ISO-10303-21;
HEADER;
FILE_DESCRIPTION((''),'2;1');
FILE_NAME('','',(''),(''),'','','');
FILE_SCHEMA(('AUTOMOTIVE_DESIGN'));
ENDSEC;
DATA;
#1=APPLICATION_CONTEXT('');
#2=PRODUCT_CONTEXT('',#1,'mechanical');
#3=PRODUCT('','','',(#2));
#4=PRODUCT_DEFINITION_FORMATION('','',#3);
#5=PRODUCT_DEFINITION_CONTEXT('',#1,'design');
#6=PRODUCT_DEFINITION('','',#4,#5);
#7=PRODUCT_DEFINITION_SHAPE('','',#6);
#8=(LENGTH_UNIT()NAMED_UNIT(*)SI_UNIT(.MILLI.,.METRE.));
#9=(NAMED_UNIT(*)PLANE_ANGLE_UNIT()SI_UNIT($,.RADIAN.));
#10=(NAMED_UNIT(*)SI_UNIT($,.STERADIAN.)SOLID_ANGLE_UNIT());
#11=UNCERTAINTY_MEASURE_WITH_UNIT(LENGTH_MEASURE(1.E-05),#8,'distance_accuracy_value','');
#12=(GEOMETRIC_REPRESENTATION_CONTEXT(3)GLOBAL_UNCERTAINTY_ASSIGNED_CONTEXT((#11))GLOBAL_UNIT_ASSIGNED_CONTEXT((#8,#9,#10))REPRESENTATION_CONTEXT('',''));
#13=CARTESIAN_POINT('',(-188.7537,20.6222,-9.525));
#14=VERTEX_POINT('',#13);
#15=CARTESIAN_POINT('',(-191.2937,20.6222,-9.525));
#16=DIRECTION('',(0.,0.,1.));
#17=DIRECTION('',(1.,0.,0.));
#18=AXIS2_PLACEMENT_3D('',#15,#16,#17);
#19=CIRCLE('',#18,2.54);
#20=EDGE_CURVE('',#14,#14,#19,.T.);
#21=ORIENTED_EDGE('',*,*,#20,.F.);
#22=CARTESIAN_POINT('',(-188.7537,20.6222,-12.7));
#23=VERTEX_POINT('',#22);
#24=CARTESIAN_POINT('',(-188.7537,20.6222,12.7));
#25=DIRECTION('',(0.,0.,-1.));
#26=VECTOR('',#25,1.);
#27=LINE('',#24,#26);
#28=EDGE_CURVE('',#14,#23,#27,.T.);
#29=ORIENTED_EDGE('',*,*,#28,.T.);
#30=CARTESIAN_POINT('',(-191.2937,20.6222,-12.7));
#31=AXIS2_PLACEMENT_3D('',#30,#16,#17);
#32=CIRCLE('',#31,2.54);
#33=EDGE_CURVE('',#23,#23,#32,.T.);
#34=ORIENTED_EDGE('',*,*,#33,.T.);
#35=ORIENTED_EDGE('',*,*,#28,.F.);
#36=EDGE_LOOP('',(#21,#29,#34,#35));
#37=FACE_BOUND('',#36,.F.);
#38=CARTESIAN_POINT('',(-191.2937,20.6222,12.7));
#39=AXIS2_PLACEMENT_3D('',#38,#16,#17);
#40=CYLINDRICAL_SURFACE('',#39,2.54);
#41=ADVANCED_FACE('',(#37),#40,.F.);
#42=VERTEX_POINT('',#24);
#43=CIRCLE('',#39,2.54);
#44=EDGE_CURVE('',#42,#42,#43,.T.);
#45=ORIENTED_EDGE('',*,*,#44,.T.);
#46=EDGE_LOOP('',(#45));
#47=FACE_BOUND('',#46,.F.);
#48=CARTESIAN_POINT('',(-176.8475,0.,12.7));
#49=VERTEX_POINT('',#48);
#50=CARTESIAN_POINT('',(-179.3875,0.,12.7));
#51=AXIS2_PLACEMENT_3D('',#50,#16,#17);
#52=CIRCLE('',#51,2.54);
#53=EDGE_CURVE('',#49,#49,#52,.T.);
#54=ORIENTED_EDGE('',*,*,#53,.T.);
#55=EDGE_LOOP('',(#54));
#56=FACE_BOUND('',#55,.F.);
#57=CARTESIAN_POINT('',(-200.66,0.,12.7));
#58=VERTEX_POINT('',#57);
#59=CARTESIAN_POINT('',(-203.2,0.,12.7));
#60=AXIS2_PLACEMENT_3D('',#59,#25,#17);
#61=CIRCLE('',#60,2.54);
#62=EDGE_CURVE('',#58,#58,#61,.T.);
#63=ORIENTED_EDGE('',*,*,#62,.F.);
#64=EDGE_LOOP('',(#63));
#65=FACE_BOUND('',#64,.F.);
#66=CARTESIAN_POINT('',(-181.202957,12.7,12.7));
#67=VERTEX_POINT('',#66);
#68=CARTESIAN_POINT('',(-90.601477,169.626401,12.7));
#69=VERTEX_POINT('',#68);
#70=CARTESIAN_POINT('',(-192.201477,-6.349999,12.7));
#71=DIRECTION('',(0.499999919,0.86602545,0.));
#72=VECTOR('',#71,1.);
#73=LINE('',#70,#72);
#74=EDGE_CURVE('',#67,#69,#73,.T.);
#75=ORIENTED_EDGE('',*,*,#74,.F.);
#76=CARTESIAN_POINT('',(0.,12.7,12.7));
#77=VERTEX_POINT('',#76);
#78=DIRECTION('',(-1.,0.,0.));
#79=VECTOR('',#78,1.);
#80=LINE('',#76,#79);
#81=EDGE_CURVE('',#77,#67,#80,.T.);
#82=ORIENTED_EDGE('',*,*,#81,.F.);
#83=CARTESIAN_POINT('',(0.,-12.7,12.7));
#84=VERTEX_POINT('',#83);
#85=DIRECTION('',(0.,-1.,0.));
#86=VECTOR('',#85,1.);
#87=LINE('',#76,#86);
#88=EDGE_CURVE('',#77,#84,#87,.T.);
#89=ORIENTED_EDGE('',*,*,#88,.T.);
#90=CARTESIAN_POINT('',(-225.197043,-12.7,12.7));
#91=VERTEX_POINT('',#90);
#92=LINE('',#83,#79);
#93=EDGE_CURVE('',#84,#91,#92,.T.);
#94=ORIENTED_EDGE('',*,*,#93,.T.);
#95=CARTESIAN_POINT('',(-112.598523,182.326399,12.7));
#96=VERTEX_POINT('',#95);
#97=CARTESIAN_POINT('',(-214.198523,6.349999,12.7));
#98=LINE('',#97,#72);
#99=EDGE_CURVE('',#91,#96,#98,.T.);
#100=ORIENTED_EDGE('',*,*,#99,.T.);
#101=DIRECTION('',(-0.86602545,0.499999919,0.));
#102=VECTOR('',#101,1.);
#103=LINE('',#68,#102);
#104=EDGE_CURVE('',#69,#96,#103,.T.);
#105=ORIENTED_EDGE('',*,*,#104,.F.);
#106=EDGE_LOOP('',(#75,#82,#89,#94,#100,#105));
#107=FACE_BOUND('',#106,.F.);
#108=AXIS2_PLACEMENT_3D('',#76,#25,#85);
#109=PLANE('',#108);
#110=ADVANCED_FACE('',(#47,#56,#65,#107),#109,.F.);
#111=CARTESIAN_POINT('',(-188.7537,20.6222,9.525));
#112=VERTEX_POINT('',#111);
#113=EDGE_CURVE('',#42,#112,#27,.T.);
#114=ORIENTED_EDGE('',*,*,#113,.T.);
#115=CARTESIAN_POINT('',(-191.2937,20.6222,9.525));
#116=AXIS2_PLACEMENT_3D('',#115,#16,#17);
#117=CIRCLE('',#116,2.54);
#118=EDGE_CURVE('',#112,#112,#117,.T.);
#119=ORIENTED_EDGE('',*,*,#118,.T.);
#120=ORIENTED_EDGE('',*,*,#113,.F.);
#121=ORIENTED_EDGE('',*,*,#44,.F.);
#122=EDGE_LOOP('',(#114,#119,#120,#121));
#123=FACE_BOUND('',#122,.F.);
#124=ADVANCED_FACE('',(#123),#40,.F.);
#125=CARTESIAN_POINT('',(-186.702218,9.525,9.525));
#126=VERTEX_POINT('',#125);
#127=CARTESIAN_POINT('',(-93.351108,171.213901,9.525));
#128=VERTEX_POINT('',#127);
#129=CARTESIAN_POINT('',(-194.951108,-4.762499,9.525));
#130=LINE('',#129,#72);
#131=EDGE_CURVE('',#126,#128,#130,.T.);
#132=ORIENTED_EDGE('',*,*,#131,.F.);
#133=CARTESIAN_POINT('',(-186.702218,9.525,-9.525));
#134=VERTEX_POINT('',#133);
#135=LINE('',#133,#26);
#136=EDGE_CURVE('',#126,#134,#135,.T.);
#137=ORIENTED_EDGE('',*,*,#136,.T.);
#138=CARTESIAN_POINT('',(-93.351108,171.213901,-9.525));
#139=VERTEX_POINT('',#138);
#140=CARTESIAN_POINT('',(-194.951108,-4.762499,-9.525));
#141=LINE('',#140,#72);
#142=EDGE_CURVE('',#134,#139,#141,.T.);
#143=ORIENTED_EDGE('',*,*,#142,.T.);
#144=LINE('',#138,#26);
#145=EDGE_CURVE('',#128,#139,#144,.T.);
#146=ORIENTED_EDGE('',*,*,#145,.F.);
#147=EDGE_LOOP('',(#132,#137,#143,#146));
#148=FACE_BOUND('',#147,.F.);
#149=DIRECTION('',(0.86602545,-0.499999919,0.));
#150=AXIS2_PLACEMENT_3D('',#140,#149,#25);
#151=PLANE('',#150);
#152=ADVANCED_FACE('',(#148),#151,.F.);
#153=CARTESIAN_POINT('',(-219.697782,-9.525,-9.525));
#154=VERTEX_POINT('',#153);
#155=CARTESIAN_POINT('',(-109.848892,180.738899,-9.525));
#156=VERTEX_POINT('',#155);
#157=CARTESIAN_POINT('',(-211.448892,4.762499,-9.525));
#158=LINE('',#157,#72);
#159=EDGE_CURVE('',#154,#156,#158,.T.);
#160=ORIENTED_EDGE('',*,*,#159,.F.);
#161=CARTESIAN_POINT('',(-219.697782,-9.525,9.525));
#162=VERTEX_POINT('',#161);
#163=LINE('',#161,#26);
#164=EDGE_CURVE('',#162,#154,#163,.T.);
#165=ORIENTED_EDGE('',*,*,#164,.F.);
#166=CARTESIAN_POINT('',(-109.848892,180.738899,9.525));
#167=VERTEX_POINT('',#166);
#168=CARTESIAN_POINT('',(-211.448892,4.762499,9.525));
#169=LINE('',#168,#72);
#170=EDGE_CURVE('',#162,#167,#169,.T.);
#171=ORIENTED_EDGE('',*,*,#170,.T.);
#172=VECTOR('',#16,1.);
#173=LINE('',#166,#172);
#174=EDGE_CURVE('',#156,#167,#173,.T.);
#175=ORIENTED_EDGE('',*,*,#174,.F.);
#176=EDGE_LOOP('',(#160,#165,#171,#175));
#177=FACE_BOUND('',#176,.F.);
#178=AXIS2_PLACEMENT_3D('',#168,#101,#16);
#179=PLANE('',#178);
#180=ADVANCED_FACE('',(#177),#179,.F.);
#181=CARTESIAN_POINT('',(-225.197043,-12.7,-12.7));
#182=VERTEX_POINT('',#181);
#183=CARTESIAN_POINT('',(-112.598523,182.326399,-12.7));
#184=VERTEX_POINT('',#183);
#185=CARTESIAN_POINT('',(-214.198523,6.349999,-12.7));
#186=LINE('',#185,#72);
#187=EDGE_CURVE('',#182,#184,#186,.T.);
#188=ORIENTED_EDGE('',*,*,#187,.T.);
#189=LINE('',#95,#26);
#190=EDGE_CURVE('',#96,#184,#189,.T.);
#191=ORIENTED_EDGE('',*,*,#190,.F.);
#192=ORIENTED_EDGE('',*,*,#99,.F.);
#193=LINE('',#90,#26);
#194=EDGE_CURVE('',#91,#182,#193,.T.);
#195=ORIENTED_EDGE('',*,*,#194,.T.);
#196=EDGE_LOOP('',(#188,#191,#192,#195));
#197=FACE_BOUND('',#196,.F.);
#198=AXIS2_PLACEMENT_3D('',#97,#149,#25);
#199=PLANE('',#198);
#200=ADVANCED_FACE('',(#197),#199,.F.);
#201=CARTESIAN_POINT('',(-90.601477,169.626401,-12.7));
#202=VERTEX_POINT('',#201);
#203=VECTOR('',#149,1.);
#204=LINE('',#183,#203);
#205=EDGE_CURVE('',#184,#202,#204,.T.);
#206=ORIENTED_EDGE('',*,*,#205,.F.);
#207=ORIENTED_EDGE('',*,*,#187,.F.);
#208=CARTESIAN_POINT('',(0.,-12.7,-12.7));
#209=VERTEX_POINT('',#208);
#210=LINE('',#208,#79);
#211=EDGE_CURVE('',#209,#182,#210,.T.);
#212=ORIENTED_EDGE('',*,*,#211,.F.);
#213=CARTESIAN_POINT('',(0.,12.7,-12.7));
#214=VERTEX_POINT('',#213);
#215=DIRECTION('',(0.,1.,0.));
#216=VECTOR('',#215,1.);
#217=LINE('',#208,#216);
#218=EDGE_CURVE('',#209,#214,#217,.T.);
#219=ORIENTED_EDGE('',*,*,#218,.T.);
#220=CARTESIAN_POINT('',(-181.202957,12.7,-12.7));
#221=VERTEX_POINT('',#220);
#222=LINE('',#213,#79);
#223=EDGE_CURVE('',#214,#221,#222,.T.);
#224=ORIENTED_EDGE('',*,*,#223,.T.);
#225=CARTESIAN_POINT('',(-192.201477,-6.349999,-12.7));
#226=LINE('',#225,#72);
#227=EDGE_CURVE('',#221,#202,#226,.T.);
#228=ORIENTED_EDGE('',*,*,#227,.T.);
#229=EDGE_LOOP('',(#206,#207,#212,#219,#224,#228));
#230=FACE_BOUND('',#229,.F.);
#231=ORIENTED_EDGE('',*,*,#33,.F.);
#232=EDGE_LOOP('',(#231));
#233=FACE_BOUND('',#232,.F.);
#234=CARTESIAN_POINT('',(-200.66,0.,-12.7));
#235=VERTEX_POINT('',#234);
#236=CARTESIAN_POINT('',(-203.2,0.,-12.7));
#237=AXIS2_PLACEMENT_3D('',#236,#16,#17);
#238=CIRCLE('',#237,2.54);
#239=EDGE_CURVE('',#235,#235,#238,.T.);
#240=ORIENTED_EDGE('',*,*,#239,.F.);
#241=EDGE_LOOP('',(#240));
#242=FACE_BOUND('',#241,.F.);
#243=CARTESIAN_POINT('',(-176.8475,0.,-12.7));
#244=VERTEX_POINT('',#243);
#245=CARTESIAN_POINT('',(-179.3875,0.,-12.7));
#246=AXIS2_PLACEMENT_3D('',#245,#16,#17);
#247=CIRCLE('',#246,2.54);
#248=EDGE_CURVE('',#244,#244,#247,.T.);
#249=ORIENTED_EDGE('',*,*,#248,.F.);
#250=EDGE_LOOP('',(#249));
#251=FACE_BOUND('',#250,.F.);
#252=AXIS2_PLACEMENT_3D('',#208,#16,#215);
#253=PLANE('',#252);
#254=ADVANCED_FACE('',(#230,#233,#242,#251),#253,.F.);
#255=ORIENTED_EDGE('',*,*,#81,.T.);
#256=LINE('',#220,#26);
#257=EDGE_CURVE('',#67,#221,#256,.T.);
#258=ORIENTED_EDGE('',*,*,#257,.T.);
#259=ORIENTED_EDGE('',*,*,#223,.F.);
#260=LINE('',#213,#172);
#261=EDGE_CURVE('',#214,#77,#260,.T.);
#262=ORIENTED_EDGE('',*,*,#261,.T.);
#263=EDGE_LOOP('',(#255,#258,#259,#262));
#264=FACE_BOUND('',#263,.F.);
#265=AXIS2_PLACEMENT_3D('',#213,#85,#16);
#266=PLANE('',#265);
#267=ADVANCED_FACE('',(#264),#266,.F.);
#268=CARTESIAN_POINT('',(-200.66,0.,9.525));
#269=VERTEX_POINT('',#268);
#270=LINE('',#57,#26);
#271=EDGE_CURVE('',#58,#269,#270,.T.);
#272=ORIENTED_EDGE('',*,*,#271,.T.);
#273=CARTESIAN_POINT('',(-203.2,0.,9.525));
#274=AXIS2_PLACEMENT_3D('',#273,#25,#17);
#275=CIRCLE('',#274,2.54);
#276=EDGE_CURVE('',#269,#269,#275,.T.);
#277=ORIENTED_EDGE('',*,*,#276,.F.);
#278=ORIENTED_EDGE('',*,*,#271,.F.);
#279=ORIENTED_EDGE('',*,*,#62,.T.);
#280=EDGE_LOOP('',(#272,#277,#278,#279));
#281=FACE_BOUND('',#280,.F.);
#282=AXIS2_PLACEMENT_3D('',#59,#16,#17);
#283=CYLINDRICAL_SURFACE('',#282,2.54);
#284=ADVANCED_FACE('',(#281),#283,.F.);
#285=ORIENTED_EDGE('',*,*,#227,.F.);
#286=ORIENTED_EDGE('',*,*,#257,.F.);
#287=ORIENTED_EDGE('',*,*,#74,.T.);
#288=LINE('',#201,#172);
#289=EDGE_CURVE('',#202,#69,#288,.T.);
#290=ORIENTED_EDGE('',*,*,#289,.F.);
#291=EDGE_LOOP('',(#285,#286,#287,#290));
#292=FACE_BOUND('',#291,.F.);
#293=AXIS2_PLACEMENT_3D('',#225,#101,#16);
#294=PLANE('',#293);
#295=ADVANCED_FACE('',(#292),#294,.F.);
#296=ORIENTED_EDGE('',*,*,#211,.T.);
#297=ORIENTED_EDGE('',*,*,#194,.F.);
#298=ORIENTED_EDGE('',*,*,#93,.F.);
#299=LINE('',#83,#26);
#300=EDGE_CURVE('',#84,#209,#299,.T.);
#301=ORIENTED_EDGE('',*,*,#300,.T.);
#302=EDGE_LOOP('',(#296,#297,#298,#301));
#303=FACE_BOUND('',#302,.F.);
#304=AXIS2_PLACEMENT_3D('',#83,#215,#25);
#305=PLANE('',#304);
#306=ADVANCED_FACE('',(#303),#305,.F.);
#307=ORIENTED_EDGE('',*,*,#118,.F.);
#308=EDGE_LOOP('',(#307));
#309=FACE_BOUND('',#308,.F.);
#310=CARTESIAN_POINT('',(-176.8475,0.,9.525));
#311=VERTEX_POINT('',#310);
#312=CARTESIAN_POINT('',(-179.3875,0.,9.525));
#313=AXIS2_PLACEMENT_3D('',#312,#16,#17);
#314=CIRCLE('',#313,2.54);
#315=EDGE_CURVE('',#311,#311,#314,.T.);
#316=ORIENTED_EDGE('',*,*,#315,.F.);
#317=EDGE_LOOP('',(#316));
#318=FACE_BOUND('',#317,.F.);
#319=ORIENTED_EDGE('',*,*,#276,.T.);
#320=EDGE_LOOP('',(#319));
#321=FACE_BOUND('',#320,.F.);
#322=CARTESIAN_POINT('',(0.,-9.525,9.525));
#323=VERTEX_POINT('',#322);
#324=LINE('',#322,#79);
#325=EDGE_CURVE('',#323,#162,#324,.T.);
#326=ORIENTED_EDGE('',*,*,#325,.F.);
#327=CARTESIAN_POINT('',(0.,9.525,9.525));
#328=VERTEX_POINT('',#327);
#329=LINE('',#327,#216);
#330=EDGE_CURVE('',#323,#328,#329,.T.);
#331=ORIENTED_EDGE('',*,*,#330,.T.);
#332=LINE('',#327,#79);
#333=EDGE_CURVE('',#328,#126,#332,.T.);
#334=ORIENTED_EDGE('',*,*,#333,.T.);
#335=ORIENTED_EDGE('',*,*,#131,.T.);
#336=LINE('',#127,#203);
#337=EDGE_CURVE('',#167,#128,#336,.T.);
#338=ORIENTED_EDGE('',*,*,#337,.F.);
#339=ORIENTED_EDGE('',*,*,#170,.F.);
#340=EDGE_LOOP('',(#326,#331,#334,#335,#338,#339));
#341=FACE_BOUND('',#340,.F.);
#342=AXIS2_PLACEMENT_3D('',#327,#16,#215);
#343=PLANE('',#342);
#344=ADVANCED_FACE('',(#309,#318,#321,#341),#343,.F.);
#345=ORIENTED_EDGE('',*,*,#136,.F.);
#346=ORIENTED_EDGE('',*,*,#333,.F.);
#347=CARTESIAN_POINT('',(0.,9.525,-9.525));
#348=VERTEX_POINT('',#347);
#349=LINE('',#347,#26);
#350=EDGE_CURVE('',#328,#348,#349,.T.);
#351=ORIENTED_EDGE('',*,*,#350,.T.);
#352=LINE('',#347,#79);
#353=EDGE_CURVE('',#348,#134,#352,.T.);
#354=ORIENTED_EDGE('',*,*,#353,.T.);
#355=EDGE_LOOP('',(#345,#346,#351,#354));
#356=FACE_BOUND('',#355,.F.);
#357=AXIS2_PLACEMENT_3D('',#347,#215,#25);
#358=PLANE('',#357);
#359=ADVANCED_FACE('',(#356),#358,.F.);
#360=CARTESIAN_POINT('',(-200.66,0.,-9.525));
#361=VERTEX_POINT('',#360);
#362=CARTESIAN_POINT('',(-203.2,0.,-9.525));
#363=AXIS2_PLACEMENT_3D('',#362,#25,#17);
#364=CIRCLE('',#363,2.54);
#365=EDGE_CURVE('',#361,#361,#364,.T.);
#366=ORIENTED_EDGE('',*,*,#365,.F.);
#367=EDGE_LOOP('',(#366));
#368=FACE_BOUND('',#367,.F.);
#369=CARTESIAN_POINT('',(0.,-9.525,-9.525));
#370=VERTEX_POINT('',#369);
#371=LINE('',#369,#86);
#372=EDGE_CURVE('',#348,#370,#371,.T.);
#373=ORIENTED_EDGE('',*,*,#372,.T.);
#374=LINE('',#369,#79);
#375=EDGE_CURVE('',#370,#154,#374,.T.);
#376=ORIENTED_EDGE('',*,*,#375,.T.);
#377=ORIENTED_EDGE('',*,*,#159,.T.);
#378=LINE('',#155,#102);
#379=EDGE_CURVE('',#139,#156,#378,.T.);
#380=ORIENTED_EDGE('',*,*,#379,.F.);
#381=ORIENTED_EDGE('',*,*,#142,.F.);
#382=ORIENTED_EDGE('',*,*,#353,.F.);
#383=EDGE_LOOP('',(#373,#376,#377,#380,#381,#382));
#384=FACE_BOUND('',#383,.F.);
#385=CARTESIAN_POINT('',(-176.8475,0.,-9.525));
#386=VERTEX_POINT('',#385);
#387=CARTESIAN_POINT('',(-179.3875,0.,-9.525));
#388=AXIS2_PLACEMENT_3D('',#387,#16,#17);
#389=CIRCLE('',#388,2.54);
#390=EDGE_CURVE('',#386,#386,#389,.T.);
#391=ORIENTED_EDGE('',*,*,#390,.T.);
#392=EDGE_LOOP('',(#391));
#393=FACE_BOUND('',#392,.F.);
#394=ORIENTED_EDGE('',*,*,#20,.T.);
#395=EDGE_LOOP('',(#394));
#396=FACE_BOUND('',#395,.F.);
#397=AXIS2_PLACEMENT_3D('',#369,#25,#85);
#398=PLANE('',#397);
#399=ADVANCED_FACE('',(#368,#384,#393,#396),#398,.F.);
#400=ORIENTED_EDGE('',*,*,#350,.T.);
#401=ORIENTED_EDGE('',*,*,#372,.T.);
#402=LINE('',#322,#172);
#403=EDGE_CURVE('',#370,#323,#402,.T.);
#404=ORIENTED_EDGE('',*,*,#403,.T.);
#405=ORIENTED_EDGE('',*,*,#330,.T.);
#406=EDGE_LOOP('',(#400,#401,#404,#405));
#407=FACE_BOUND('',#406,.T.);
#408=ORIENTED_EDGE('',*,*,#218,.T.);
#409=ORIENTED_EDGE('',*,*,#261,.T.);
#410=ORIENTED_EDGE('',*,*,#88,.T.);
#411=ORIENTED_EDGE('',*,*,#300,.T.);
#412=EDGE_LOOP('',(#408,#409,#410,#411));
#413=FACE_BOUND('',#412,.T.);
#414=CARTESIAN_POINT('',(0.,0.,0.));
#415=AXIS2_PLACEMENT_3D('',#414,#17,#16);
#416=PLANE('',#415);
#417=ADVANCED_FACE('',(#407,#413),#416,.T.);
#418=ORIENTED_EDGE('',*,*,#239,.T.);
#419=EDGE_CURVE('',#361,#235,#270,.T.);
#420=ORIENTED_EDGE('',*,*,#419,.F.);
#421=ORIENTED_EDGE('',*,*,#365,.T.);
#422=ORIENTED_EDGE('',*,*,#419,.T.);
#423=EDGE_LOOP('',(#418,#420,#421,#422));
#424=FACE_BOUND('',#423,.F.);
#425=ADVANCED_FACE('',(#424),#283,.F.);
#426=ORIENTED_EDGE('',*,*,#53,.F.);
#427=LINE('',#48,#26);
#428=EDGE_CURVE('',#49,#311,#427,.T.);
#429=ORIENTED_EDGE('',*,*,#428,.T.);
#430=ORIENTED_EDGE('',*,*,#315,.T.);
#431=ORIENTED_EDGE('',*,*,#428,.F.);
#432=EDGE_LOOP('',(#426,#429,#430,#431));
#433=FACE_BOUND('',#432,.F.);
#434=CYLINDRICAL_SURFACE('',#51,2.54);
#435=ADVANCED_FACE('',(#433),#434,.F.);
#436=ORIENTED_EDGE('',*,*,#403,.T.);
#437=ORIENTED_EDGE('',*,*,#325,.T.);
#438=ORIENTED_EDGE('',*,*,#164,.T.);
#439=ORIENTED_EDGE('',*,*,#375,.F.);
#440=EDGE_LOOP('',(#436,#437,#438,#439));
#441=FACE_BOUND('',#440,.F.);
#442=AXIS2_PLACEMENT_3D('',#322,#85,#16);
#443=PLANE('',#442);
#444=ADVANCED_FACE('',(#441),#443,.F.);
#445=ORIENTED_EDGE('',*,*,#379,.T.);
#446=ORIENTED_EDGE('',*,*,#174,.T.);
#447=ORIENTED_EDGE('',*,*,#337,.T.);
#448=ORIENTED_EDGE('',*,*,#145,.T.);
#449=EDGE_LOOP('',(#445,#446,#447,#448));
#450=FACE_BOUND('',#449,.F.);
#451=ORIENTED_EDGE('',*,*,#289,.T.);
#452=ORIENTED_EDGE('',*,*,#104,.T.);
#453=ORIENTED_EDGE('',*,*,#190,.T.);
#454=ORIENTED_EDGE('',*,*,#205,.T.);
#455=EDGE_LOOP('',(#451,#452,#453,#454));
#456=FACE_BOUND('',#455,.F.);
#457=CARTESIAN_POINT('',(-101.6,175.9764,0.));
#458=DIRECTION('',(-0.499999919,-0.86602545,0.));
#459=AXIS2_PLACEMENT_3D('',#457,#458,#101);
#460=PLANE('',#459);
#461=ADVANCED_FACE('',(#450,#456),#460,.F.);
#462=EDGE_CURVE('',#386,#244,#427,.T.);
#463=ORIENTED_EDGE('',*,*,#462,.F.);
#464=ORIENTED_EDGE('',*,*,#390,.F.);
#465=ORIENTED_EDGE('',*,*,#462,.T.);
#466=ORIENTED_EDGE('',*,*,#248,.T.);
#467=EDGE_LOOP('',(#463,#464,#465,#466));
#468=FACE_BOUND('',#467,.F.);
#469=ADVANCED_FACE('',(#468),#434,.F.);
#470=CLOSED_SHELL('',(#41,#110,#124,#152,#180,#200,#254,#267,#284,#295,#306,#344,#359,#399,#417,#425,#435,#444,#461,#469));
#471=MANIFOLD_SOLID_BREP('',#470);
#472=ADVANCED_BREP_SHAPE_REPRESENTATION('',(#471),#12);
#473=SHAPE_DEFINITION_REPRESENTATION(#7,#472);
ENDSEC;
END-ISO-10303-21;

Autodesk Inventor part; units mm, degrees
ref_plane "YZ Plane" through (0, 0, 0) normal (1, 0, 0) x (0, 1, 0)
ref_plane "XZ Plane" through (0, 0, 0) normal (0, 1, 0) x (-1, 0, 0)
ref_plane "XY Plane" through (0, 0, 0) normal (0, 0, 1) x (1, 0, 0)
sketch "Sketch1" plane through (0, 0, 0) normal (0, 0, 1) x (1, 0, 0)
  line L0 (0, 0) -> (-203.2, 0)
  line L1 (-203.2, 0) -> (-101.6, 175.9764)
  dimension "d0" = 60
  dimension "d1" = 203.2
sketch "Sketch2" plane through (0, 0, 0) normal (1, 0, 0) x (0, 1, 0)
  line L0 (-12.7, 12.7) -> (-12.7, -12.7)
  line L1 (-12.7, -12.7) -> (12.7, -12.7)
  line L2 (12.7, -12.7) -> (12.7, 12.7)
  line L3 (12.7, 12.7) -> (-12.7, 12.7)
  line L4 (-12.7, 12.7) -> (12.7, -12.7) construction
  line L5 (-12.7, -12.7) -> (12.7, 12.7) construction
  line L6 (-9.525, 9.525) -> (-9.525, -9.525)
  line L7 (-9.525, -9.525) -> (9.525, -9.525)
  line L8 (9.525, -9.525) -> (9.525, 9.525)
  line L9 (9.525, 9.525) -> (-9.525, 9.525)
  line L10 (-9.525, 9.525) -> (9.525, -9.525) construction
  line L11 (-9.525, -9.525) -> (9.525, 9.525) construction
  point P0 (0, 0)
  dimension "d2" = 25.4
  dimension "d3" = 3.175
sweep "Sweep1" add profiles "Sketch2" path "Sketch1"
sketch "Sketch3" plane through (0, -12.7, 12.7) normal (0, 0, 1) x (1, 0, 0)
  line L0 (0, 0) -> (-225.197, 0) construction
  line L1 (0, 25.4) -> (-181.203, 25.4) construction
  line L2 (-225.197, 0) -> (-181.203, 25.4) construction
  circle A0 centre (-203.2, 12.7) radius 2.54
  line L3 (-112.5985, 195.0264) -> (-90.6015, 182.3264) construction
  line L4 (-190.0237, 35.5219) -> (-203.2, 12.7) construction
  line L5 (-203.2, 12.7) -> (-176.8475, 12.7) construction
  circle A1 centre (-191.2937, 33.3222) radius 2.54
  circle A2 centre (-179.3875, 12.7) radius 2.54
  point P0 (0, 12.7)
  dimension "d6" = 5.08
  dimension "d10" = 23.8125
extrude "Extrusion1" cut sketch "Sketch3" against normal through all
properties part number "60DegreeAlumTubing"
